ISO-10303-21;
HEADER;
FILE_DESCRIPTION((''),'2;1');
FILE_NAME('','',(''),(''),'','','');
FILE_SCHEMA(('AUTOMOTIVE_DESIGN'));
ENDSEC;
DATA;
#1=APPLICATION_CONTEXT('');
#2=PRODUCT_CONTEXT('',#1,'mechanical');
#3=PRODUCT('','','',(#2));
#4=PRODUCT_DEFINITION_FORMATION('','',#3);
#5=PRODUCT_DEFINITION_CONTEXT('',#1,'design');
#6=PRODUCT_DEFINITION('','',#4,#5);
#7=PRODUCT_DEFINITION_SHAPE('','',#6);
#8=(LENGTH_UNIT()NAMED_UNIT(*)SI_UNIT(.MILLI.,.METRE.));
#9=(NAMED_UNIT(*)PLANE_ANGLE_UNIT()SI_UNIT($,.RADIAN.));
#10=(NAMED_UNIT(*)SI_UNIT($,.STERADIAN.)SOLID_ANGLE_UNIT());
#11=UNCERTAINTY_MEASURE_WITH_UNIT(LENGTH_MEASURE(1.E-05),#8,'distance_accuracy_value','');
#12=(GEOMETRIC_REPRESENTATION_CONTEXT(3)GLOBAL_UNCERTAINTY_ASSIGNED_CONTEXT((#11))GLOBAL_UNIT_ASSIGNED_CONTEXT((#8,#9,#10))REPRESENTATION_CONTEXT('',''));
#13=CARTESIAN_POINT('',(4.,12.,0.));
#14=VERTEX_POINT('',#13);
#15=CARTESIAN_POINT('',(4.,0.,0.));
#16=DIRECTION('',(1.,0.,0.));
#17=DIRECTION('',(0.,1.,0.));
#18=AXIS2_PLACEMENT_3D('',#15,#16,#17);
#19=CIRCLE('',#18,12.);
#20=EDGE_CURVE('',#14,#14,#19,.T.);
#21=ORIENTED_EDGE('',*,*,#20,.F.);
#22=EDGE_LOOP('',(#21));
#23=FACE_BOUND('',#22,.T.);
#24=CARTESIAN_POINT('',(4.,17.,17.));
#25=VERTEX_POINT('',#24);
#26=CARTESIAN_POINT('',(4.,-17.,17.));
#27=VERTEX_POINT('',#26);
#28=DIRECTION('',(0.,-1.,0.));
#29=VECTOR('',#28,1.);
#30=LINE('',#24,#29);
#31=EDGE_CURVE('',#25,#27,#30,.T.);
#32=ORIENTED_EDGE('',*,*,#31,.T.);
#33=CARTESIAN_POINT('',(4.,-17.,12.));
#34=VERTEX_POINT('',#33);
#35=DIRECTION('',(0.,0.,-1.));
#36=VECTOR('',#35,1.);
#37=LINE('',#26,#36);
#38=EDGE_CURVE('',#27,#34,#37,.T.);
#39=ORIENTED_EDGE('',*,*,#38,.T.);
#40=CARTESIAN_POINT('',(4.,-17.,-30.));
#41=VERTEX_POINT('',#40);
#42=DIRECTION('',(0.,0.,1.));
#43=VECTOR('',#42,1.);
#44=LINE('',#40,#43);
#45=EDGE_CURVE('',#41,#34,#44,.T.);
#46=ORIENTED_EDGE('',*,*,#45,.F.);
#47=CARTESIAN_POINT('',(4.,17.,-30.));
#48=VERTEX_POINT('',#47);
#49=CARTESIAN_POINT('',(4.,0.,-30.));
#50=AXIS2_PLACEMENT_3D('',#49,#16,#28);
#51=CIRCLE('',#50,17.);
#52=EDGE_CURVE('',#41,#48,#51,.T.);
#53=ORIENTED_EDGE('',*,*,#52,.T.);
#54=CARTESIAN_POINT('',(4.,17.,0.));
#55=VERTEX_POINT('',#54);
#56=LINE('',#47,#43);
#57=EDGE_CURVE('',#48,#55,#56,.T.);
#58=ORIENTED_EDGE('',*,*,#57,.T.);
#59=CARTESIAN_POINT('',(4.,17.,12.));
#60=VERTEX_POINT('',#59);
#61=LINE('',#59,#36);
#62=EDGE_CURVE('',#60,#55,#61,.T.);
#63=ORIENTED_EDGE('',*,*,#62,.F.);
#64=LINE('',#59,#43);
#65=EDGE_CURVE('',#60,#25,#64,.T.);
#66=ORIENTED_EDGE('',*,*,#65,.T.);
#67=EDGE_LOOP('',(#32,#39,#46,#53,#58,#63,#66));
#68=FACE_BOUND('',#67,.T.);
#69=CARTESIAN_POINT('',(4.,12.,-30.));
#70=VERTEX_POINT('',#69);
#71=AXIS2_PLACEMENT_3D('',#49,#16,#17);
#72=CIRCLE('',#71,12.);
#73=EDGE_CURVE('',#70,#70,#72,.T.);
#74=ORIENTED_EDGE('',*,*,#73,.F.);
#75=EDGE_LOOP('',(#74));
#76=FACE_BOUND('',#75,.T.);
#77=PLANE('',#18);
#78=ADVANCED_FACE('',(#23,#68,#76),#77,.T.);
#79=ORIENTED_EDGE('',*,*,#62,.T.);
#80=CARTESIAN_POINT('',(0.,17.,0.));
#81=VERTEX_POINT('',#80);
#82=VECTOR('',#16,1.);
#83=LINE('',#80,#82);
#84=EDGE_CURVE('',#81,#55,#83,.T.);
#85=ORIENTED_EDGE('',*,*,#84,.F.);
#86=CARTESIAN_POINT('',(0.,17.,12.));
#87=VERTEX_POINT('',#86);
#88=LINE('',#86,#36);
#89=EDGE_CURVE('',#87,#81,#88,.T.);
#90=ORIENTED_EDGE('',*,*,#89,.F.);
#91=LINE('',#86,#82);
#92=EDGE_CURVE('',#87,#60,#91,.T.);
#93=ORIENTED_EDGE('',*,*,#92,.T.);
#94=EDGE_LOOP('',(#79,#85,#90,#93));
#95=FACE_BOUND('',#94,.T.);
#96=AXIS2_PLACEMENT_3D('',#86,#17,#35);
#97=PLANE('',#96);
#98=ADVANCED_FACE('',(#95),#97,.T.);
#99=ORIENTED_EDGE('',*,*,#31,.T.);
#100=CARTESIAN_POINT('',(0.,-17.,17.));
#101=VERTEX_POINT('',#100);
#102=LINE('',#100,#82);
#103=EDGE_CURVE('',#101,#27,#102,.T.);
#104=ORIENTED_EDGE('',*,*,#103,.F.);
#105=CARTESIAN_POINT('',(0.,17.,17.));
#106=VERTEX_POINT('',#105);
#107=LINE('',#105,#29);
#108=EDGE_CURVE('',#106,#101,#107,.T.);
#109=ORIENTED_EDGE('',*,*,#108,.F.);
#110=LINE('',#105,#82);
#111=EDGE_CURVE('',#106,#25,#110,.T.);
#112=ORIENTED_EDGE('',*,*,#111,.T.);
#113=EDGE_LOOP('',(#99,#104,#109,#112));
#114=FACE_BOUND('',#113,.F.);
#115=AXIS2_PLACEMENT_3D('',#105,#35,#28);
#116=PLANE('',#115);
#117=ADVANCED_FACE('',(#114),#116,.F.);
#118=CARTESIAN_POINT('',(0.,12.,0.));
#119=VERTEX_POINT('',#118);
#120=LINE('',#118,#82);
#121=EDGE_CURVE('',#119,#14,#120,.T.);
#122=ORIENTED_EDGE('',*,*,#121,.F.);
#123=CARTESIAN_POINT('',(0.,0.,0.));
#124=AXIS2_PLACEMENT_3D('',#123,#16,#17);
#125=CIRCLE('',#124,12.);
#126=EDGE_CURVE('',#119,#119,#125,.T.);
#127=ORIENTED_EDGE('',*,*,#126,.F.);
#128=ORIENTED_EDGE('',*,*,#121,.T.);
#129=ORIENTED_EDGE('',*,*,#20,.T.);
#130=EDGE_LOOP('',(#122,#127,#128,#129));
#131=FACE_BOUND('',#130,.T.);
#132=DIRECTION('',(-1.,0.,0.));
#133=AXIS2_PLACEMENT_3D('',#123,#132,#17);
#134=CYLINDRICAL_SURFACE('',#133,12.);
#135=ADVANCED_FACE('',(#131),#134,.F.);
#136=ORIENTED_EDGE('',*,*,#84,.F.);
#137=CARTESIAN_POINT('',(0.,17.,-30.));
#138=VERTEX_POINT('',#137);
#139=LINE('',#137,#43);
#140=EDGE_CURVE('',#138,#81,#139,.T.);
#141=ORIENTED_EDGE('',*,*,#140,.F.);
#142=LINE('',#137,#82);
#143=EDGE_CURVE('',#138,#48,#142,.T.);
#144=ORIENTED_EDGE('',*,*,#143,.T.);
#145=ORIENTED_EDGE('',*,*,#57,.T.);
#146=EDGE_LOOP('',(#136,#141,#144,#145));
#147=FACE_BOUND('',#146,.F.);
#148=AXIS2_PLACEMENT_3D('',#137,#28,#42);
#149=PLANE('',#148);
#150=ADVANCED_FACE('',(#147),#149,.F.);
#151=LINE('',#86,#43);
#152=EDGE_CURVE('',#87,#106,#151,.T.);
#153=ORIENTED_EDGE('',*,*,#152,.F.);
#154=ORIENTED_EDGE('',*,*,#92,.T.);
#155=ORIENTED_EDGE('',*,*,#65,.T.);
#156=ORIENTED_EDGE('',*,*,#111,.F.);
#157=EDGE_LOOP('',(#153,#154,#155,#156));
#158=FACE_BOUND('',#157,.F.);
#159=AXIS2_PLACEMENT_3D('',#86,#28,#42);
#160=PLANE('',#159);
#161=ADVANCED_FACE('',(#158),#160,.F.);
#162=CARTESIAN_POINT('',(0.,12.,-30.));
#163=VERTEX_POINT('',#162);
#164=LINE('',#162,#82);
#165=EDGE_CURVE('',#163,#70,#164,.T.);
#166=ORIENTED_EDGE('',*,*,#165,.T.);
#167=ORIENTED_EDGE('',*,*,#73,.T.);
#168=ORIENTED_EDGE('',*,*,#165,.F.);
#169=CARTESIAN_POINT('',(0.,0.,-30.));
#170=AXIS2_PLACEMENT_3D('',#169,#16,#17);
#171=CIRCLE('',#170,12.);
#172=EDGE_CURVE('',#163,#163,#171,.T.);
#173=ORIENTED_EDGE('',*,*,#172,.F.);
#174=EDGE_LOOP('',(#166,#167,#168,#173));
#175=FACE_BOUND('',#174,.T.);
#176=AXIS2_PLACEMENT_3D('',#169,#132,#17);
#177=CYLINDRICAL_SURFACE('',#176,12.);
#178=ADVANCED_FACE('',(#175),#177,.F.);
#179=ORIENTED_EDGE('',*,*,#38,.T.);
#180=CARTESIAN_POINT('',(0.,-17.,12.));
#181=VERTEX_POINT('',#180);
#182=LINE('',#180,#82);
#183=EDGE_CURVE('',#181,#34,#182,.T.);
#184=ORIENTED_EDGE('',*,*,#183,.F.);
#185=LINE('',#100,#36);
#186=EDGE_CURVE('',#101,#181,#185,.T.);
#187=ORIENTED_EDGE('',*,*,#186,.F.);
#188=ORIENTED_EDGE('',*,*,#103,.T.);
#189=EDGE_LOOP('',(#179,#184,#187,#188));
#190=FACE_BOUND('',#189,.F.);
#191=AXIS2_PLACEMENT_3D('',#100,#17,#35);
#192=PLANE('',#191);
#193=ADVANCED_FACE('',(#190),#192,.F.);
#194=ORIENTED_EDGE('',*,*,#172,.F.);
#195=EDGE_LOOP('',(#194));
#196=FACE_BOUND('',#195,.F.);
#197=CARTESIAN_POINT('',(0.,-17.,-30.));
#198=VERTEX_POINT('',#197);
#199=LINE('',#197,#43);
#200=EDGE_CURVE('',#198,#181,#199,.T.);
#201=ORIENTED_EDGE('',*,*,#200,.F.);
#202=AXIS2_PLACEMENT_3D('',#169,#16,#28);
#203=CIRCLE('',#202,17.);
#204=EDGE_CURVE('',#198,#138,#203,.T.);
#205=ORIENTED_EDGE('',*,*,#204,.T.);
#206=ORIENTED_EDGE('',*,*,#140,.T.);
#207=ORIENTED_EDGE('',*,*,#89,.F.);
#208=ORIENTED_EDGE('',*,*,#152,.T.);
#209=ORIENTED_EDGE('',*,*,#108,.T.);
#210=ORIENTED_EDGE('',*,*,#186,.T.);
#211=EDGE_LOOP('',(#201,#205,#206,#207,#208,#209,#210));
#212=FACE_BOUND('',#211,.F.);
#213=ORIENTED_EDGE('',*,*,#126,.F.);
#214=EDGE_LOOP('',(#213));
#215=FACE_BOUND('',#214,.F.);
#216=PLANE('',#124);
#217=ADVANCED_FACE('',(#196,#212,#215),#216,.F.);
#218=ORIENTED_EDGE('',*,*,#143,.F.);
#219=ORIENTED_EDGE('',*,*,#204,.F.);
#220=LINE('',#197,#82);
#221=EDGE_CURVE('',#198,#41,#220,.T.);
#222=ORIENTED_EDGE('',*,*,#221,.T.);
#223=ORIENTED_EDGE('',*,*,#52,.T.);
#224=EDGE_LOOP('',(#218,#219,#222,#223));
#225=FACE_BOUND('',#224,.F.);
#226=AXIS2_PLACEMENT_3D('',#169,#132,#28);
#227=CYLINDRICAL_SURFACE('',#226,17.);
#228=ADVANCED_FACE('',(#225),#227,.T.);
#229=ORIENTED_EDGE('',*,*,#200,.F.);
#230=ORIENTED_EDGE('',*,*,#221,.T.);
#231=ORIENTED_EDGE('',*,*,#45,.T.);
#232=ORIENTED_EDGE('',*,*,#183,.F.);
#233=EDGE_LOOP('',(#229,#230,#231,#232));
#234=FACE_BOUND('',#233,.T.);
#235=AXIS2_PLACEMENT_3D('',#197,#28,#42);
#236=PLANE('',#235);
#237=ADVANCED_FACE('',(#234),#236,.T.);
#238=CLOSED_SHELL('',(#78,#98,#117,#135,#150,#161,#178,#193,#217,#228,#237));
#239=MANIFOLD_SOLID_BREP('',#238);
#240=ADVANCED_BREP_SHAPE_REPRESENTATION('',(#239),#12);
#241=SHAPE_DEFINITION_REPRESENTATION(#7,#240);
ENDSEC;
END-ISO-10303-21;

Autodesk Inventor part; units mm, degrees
ref_plane "YZ Plane" through (0, 0, 0) normal (1, 0, 0) x (0, 1, 0)
ref_plane "XZ Plane" through (0, 0, 0) normal (0, 1, 0) x (-1, 0, 0)
ref_plane "XY Plane" through (0, 0, 0) normal (0, 0, 1) x (1, 0, 0)
sketch "Sketch1" plane through (0, 0, 0) normal (1, 0, 0) x (0, 1, 0)
  circle A0 centre (0, 0) radius 12
  circle A1 centre (0, -30) radius 12
  line L0 (17, -30) -> (17, 0)
  arc A2 (-17, -30) -> (17, -30) centre (0, -30) ccw
  line L1 (-17, -30) -> (-17, 12)
  line L2 (17, 12) -> (17, 0)
  line L3 (17, 12) -> (17, 17)
  line L4 (17, 17) -> (-17, 17)
  line L5 (-17, 17) -> (-17, 12)
extrude "Extrusion1" add sketch "Sketch1" along normal blind 4
properties part number "lamp_holder_front"
